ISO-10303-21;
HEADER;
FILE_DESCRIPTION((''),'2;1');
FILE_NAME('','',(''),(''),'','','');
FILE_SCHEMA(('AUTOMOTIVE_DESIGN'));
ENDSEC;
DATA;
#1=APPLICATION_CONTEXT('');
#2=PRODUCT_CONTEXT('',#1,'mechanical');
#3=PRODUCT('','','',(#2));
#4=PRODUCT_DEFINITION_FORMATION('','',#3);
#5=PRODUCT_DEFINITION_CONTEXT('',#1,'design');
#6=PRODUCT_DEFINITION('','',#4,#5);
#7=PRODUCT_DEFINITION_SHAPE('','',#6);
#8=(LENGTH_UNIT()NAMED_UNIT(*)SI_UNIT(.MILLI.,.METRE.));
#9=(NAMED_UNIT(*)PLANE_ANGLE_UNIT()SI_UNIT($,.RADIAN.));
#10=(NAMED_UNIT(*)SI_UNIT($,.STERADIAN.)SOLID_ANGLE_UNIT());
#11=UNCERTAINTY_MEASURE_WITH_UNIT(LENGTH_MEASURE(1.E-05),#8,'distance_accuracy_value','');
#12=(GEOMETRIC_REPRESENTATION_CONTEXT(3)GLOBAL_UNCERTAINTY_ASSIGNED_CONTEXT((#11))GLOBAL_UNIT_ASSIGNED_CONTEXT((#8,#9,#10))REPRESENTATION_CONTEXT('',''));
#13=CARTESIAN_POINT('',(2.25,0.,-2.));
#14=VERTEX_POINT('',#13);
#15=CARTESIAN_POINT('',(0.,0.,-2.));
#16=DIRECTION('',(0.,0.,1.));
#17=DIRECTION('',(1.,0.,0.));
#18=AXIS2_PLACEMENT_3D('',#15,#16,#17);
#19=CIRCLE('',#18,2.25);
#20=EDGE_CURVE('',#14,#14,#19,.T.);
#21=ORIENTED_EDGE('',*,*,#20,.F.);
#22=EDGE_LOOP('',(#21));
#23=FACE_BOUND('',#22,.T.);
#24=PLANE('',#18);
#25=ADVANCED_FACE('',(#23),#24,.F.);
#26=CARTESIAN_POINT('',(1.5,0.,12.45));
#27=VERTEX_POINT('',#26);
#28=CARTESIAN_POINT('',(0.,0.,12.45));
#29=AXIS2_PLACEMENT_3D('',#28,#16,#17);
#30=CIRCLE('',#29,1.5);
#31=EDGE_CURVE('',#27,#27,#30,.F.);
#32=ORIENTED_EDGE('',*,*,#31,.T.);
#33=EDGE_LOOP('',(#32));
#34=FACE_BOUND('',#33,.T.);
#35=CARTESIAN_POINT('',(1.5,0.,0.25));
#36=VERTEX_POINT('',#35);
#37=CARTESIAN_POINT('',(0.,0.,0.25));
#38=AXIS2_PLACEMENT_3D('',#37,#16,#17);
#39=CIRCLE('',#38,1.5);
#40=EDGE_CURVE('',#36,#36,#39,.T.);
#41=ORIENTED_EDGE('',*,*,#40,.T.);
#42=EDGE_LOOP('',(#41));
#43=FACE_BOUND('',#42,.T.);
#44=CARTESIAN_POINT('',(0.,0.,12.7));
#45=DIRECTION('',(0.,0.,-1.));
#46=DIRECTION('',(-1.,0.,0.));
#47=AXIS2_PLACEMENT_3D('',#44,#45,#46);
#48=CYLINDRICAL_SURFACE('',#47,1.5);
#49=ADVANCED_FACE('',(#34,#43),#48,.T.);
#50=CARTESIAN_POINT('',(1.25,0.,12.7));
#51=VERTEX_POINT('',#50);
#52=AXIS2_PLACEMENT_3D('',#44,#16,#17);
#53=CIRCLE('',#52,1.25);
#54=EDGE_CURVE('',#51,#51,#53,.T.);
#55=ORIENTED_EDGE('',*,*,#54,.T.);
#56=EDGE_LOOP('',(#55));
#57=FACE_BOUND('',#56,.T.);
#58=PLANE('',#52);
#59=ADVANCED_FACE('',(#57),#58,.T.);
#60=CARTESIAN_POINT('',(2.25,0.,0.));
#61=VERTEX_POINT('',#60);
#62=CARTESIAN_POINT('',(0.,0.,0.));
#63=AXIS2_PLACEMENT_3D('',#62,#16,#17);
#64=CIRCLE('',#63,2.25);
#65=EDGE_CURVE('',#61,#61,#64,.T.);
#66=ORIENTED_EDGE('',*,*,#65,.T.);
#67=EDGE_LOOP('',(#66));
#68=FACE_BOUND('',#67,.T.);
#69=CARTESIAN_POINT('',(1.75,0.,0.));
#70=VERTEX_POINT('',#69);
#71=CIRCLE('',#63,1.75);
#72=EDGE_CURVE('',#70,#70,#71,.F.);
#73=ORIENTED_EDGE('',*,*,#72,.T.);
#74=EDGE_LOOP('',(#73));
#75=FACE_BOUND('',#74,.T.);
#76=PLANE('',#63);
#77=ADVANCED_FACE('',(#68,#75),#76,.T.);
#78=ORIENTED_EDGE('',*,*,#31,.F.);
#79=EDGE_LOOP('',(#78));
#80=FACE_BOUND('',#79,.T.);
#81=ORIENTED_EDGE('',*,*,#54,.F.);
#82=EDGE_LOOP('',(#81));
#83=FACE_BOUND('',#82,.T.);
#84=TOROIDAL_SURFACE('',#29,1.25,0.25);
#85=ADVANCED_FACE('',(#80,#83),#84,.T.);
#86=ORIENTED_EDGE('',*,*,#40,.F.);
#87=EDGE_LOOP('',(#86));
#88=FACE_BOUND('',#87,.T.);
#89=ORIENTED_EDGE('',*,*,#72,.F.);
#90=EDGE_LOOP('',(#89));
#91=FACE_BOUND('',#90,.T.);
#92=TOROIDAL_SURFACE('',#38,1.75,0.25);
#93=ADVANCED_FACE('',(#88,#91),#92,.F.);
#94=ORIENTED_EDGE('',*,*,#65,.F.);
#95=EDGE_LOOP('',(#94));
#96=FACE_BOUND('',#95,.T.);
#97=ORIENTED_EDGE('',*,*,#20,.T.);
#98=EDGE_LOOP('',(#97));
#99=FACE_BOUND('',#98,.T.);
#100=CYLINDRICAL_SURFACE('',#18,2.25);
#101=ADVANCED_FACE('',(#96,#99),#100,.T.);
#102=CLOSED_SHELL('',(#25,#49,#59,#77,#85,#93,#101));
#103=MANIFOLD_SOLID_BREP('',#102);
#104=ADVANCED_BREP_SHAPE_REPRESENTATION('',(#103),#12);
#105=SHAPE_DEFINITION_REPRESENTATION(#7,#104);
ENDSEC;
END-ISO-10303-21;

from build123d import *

# Parameters (mm, degrees)
SKETCH1_R           = 1.5
BOSS_EXTRUDE1_DEPTH = 12.7
SKETCH3_R           = 2.25
BOSS_EXTRUDE2_DEPTH = 2
FILLET2_R           = 0.25
FILLET3_R           = 0.25


with BuildPart() as part:
    # Sketch1 → Boss-Extrude1 (new body)
    with BuildSketch(Plane.XY):
        Circle(SKETCH1_R)
    extrude(amount=BOSS_EXTRUDE1_DEPTH)

    # Sketch3 → Boss-Extrude2 (add)
    with BuildSketch(Plane.XY):
        Circle(SKETCH3_R)
    extrude(amount=-BOSS_EXTRUDE2_DEPTH)

    # Fillet2
    fillet2_edges = [part.edges().sort_by_distance(p)[0] for p in [
        (-1.5, 0, 12.7),
    ]]
    fillet(fillet2_edges, radius=FILLET2_R)

    # Fillet3
    fillet3_edges = [part.edges().sort_by_distance(p)[0] for p in [
        (-1.5, 0, 0),
    ]]
    fillet(fillet3_edges, radius=FILLET3_R)


solid = part.part
